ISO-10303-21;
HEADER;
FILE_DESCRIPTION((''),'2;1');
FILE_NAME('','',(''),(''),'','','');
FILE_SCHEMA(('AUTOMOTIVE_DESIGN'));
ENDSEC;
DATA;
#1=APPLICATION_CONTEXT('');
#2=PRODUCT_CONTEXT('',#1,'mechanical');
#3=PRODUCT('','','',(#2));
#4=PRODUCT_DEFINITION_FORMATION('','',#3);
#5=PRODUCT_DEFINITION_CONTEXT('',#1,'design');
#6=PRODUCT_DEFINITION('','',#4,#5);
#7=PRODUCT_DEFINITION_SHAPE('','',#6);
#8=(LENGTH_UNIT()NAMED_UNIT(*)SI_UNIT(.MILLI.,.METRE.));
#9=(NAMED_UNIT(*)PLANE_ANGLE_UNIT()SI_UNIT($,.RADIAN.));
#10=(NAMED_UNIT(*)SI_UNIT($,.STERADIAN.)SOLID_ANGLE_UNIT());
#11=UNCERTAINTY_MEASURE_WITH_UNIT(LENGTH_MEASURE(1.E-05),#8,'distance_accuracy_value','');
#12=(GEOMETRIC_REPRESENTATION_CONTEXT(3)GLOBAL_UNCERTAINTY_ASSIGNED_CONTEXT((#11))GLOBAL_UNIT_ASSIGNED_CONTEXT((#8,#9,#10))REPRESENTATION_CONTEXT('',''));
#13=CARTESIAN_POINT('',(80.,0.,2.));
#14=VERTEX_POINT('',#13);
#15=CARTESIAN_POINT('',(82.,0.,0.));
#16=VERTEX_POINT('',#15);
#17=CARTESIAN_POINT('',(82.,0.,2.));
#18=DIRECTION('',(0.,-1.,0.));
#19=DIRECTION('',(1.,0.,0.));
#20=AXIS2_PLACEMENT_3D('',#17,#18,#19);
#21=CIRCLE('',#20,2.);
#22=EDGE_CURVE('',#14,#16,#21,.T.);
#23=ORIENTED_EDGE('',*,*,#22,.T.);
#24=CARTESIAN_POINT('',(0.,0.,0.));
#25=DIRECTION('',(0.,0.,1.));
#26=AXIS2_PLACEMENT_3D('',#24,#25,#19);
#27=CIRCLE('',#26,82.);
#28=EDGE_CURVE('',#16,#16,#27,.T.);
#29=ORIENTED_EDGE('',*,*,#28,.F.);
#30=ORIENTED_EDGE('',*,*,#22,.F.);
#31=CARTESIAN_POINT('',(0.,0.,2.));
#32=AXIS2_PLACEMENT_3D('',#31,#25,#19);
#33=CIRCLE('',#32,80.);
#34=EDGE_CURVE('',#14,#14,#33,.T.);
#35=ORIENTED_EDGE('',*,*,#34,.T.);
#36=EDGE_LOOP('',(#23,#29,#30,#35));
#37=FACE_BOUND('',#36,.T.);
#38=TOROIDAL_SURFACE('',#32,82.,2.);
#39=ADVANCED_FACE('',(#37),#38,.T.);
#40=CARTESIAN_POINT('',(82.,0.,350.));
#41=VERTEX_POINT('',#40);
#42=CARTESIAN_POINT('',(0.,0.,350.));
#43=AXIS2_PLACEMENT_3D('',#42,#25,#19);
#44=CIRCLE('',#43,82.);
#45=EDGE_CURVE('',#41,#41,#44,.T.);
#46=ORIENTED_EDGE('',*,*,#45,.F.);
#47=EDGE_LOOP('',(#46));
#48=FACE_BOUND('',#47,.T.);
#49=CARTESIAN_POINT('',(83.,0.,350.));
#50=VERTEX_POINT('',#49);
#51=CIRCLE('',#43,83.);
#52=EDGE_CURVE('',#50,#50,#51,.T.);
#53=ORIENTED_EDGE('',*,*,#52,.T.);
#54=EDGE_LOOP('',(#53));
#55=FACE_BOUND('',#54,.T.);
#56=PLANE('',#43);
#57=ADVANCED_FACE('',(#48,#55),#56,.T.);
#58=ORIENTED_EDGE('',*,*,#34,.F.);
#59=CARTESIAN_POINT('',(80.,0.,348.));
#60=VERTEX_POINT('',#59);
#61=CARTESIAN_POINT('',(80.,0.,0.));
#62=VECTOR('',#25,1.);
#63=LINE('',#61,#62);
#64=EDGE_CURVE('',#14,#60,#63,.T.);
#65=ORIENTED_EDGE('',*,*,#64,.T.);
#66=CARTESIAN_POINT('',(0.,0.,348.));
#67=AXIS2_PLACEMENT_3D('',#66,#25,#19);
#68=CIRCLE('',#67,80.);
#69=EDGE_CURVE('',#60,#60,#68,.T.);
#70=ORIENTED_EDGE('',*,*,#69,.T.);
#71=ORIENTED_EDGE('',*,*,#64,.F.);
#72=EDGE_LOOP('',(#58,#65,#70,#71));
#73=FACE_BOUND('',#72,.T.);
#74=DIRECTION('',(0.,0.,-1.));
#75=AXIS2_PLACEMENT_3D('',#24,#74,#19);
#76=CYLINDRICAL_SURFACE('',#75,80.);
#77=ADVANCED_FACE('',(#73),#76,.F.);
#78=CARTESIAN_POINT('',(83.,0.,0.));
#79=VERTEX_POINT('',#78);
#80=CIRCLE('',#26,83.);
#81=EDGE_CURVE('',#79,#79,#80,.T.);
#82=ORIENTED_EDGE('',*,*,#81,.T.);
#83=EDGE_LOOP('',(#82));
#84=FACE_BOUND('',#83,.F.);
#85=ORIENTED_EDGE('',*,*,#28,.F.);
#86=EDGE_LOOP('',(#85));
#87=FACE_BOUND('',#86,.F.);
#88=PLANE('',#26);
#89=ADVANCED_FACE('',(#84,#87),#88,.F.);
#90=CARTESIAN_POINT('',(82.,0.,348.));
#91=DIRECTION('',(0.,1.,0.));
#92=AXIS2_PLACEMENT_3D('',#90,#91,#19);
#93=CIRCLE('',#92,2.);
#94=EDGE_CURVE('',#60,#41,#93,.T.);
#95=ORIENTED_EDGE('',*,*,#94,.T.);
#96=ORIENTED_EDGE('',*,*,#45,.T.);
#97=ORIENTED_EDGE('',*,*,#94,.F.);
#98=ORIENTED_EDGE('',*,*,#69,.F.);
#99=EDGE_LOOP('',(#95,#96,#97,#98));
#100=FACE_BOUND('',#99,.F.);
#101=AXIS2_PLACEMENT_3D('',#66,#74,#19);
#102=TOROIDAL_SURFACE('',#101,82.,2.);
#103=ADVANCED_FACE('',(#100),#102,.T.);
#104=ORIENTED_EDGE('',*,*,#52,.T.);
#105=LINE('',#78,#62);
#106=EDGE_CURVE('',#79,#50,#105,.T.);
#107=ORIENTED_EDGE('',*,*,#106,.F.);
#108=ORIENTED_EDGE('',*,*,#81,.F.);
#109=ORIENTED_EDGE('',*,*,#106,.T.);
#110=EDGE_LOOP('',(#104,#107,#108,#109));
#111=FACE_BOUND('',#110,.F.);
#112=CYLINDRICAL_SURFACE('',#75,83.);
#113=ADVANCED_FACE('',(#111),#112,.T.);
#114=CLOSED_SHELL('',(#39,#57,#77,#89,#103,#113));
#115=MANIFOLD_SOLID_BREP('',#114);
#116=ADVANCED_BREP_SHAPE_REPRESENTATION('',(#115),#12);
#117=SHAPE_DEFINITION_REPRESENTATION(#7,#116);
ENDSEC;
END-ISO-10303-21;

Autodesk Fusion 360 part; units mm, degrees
sketch "Skizze1" plane through (0, 0, 0) normal (0, 0, 1) x (1, 0, 0)
  circle A0 centre (0, 0) radius 83
  circle A1 centre (0, 0) radius 80
  dimension "d1" = 160
  dimension "d2" = 166
extrude "Extrusion1" add sketch "Skizze1" along normal blind 350
fillet "Abrundung1" radius 2 2 edges at (-74.5862, 28.9292, 350) (-74.5862, 28.9292, 0)
